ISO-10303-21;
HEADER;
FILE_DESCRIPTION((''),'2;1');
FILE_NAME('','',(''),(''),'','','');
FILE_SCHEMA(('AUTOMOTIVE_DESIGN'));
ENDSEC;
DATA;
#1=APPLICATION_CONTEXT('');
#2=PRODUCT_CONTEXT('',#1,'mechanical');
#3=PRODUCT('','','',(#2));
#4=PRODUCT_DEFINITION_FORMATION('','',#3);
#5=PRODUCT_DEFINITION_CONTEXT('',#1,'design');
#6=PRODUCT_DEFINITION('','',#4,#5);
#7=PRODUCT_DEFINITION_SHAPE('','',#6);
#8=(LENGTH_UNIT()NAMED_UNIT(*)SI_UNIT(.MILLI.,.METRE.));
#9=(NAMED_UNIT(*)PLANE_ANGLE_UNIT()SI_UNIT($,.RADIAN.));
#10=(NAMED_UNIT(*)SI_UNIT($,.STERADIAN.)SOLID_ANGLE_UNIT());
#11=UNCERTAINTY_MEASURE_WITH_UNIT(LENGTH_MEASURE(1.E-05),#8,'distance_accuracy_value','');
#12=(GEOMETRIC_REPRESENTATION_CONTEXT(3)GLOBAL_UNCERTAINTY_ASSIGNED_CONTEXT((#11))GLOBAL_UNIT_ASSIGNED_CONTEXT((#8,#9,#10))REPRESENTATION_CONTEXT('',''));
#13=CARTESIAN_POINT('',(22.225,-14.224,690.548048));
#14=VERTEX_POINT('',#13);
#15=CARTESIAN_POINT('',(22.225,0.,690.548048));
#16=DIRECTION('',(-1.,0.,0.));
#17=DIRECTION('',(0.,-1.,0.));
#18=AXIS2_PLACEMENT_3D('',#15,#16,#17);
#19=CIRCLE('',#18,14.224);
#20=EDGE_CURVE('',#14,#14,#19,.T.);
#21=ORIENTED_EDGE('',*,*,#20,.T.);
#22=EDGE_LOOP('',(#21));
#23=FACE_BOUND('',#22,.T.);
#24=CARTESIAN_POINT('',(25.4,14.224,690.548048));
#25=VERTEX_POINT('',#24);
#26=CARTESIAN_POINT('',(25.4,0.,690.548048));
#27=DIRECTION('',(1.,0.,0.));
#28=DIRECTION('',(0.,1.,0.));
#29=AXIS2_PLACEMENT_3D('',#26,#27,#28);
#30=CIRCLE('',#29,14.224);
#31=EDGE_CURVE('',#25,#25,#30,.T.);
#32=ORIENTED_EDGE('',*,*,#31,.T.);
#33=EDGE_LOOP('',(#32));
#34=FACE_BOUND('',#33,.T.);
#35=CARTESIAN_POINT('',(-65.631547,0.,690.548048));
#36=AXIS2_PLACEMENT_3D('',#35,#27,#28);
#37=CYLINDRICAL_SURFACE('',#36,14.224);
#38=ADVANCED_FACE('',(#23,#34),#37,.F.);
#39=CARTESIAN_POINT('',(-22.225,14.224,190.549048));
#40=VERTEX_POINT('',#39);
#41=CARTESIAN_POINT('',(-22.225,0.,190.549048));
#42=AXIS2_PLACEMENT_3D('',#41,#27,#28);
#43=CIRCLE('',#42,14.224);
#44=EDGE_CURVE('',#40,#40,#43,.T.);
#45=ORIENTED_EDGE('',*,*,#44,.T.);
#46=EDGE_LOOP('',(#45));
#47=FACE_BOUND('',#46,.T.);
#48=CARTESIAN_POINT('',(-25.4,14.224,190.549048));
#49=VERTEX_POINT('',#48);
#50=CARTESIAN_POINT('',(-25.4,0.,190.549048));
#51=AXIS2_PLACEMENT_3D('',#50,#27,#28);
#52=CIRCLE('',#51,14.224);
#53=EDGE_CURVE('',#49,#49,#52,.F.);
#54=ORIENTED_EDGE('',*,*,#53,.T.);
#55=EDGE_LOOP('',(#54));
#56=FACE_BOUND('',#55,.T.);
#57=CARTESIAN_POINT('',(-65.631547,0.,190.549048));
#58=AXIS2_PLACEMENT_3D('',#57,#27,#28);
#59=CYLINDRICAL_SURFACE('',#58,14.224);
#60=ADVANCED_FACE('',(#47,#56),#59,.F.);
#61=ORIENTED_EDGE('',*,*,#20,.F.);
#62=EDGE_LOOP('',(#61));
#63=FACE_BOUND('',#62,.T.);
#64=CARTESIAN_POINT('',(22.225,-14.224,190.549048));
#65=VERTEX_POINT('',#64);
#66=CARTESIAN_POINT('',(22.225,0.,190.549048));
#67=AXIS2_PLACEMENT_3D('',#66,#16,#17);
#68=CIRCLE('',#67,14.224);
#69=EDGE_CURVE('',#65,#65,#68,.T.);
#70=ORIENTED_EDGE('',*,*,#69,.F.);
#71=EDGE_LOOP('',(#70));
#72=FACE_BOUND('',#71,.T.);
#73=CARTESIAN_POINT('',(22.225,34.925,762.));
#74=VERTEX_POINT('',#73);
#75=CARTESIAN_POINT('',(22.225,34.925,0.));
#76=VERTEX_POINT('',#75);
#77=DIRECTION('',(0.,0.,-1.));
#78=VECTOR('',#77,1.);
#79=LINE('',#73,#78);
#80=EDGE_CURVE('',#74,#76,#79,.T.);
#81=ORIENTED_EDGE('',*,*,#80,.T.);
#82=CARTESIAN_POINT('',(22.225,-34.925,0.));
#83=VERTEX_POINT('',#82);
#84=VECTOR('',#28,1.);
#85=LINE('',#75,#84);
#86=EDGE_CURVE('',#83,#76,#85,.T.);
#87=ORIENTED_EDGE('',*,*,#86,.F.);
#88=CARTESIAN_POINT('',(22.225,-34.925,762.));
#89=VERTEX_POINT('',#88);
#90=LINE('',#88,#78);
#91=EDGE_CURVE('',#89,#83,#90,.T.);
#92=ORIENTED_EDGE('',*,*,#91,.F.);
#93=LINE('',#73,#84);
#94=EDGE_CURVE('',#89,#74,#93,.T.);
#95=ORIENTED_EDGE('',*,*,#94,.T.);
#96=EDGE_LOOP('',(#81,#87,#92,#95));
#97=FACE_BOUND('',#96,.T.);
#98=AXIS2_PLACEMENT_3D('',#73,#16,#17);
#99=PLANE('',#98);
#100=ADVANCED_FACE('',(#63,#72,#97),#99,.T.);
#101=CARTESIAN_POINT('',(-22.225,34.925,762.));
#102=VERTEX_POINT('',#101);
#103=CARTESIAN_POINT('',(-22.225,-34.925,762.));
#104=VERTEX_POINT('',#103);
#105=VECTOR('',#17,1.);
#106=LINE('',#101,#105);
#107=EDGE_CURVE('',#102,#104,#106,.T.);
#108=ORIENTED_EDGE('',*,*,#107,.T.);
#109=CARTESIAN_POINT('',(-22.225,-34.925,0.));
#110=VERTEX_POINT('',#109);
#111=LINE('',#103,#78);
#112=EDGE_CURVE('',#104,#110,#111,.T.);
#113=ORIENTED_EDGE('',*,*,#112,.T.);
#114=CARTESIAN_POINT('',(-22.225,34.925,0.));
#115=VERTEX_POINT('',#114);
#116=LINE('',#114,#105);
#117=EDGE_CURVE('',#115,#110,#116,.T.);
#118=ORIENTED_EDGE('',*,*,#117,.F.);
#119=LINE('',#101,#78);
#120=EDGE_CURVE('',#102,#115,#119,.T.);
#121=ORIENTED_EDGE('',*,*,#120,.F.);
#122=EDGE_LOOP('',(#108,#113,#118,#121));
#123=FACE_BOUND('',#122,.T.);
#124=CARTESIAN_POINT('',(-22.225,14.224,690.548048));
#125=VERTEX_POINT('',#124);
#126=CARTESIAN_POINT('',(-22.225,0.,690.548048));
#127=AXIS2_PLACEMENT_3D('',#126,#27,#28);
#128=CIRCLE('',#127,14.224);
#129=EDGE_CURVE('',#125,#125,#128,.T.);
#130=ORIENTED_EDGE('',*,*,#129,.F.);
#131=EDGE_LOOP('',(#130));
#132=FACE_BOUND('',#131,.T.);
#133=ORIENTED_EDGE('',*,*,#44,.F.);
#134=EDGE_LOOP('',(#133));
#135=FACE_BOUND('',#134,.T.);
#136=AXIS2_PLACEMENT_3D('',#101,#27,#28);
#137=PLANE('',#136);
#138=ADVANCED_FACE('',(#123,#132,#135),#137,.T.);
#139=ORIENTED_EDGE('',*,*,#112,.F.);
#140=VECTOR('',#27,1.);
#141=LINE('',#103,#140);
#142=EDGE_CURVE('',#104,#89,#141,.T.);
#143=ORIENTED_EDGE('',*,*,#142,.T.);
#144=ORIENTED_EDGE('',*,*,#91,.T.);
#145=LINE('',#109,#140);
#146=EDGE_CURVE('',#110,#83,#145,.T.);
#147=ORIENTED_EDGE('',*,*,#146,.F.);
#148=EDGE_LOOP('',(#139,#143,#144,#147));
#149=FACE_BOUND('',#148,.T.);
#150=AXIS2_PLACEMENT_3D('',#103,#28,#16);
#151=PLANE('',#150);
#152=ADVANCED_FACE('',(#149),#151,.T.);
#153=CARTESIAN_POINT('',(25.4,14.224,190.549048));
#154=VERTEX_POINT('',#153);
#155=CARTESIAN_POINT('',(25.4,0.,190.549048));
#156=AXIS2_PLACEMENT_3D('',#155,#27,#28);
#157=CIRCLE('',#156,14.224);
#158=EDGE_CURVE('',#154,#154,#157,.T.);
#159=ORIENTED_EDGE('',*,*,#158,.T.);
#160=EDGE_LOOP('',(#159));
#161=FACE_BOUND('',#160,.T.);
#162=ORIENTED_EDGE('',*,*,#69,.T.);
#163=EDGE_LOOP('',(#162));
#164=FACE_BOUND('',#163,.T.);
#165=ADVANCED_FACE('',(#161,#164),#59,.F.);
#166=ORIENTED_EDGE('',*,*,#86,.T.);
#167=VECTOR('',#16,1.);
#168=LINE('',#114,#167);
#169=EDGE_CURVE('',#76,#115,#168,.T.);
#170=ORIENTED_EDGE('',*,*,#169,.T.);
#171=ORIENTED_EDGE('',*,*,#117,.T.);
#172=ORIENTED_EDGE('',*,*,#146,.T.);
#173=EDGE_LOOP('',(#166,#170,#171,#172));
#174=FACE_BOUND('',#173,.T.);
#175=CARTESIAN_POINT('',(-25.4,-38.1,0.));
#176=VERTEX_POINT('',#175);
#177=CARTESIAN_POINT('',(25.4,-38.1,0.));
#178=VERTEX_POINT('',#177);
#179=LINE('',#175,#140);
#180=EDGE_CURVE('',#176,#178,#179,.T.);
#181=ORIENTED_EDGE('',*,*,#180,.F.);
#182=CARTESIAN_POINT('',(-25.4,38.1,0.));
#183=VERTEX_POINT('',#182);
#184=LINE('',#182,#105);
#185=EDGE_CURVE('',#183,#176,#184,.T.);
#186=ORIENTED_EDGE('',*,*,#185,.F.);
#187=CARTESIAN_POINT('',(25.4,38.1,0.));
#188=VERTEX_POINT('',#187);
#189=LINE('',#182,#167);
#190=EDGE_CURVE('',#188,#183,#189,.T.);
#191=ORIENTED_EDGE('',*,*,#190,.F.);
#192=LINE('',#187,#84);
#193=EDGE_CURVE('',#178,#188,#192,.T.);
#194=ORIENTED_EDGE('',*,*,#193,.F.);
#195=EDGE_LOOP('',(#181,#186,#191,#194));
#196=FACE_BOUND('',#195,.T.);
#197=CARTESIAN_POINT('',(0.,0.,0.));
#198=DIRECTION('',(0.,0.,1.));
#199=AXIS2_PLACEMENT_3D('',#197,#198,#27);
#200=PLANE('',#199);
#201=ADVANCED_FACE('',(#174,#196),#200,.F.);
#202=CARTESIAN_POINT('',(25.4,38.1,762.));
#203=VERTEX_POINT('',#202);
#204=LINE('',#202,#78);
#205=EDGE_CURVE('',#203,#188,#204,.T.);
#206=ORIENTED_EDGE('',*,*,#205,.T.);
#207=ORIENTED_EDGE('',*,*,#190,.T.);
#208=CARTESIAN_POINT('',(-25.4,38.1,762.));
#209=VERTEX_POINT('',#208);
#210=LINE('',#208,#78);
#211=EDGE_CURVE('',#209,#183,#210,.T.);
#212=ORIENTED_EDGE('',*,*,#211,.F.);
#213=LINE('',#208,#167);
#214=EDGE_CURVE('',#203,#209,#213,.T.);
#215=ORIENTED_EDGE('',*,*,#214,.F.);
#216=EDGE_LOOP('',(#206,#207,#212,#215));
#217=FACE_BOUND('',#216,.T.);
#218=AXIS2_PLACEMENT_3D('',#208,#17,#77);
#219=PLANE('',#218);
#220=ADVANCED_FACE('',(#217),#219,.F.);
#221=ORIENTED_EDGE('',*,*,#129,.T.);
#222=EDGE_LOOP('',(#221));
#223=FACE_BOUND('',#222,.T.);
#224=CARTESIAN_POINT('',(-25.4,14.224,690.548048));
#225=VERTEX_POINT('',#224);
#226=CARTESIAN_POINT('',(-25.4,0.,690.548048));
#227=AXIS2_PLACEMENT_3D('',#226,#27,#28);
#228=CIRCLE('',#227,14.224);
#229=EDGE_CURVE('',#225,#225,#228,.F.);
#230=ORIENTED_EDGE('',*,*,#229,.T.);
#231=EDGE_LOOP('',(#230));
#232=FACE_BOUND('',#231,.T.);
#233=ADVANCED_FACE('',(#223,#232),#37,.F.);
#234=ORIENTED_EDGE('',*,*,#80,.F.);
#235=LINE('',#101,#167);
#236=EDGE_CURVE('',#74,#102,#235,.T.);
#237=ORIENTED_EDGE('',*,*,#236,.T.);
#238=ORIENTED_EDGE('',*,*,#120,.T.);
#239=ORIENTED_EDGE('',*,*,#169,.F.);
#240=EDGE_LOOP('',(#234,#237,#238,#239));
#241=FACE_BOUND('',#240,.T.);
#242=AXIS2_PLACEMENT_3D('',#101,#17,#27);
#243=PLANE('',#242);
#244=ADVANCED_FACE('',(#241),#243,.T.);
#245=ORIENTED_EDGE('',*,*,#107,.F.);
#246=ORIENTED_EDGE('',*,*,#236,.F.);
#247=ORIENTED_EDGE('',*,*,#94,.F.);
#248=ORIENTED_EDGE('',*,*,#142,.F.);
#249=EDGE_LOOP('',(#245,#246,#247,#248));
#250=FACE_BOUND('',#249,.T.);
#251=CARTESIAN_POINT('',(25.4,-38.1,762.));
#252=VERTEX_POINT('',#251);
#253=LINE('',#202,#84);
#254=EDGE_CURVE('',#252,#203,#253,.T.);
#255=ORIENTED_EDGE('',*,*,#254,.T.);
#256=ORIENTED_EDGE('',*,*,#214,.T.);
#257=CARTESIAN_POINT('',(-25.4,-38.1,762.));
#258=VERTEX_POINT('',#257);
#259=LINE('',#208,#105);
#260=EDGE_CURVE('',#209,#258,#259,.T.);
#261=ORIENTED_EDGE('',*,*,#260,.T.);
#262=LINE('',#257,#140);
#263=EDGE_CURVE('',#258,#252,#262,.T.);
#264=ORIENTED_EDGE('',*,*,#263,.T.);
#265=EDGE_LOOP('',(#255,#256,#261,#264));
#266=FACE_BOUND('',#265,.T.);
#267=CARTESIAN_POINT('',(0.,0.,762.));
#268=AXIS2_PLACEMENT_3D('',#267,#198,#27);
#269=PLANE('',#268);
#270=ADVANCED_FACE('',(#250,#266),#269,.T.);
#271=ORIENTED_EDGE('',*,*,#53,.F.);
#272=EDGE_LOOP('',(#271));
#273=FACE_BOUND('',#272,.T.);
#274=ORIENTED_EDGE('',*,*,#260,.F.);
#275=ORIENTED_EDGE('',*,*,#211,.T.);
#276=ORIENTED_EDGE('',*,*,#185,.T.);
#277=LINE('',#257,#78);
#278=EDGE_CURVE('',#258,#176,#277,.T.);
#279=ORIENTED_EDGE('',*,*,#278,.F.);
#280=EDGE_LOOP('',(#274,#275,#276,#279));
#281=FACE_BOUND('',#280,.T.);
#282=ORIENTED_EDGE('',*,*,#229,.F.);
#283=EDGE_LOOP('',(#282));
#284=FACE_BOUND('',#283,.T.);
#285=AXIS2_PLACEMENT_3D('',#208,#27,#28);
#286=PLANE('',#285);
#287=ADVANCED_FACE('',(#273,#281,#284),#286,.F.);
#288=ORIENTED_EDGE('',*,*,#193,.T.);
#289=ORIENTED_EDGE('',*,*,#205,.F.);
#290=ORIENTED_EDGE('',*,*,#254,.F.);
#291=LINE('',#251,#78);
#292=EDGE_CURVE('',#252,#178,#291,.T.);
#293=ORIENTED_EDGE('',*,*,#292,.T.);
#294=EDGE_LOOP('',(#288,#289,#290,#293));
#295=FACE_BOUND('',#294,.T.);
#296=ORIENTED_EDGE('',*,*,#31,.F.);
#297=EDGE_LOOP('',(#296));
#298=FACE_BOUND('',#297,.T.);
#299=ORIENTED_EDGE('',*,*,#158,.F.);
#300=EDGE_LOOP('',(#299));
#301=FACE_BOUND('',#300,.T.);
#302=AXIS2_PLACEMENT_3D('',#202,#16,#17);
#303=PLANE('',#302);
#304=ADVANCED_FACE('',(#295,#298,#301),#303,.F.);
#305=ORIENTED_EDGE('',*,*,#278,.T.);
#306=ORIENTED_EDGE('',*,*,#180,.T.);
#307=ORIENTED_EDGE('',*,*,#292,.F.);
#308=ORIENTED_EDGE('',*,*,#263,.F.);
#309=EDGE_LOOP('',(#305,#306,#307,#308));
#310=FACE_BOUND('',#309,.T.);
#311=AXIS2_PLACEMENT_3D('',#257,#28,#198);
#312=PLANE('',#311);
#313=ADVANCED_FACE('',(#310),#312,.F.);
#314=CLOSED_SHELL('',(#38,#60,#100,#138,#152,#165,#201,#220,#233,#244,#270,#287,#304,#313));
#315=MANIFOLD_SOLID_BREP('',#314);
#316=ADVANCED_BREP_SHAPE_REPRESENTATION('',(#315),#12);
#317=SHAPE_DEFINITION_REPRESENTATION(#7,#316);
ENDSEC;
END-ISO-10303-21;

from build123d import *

# Parameters (mm, degrees)
SKETCH1_W           = 50.8
SKETCH1_H           = 76.2
SKETCH1_W_2         = 44.45
SKETCH1_H_2         = 69.85
BOSS_EXTRUDE1_DEPTH = 762
CUT_EXTRUDE1_REACH  = 766.641
SKETCH4_R           = 14.224


with BuildPart() as part:
    # Sketch1 → Boss-Extrude1 (new body)
    with BuildSketch(Plane.XY):
        Rectangle(SKETCH1_W, SKETCH1_H)
        Rectangle(SKETCH1_W_2, SKETCH1_H_2, mode=Mode.SUBTRACT)
    extrude(amount=BOSS_EXTRUDE1_DEPTH)

    # Cut-Extrude1: up to this face of the body (flat: up to its plane)
    cut_extrude1_end = Plane(part.part.faces().sort_by_distance((-25.4, 0, 381))[0])
    # Sketch4 → Cut-Extrude1 (cut, up to the picked face)
    with BuildSketch(Plane(origin=(25.4, 0, 0), x_dir=(0, 0, -1), z_dir=(1, 0, 0)), mode=Mode.PRIVATE) as cut_extrude1_sk1:
        with Locations(Location((-690.548048411, 0, 0), (0, 0, 90))):
            Circle(SKETCH4_R)
    cut_extrude1_tool1 = split(extrude(cut_extrude1_sk1.sketch, amount=-CUT_EXTRUDE1_REACH, mode=Mode.PRIVATE), bisect_by=cut_extrude1_end, keep=Keep.BOTH, mode=Mode.PRIVATE)
    # Sketch4 → Cut-Extrude1 (cut, up to the picked face)
    with BuildSketch(Plane(origin=(25.4, 0, 0), x_dir=(0, 0, -1), z_dir=(1, 0, 0)), mode=Mode.PRIVATE) as cut_extrude1_sk2:
        with Locations(Location((-190.549048411, 0, 0), (0, 0, 90))):
            Circle(SKETCH4_R)
    cut_extrude1_tool2 = split(extrude(cut_extrude1_sk2.sketch, amount=-CUT_EXTRUDE1_REACH, mode=Mode.PRIVATE), bisect_by=cut_extrude1_end, keep=Keep.BOTH, mode=Mode.PRIVATE)
    add(cut_extrude1_tool1.solids().sort_by(Axis((25.4, 0, 690.548048), (-1, 0, 0)))[0], mode=Mode.SUBTRACT)
    add(cut_extrude1_tool2.solids().sort_by(Axis((25.4, 0, 190.549048), (-1, 0, 0)))[0], mode=Mode.SUBTRACT)


solid = part.part
